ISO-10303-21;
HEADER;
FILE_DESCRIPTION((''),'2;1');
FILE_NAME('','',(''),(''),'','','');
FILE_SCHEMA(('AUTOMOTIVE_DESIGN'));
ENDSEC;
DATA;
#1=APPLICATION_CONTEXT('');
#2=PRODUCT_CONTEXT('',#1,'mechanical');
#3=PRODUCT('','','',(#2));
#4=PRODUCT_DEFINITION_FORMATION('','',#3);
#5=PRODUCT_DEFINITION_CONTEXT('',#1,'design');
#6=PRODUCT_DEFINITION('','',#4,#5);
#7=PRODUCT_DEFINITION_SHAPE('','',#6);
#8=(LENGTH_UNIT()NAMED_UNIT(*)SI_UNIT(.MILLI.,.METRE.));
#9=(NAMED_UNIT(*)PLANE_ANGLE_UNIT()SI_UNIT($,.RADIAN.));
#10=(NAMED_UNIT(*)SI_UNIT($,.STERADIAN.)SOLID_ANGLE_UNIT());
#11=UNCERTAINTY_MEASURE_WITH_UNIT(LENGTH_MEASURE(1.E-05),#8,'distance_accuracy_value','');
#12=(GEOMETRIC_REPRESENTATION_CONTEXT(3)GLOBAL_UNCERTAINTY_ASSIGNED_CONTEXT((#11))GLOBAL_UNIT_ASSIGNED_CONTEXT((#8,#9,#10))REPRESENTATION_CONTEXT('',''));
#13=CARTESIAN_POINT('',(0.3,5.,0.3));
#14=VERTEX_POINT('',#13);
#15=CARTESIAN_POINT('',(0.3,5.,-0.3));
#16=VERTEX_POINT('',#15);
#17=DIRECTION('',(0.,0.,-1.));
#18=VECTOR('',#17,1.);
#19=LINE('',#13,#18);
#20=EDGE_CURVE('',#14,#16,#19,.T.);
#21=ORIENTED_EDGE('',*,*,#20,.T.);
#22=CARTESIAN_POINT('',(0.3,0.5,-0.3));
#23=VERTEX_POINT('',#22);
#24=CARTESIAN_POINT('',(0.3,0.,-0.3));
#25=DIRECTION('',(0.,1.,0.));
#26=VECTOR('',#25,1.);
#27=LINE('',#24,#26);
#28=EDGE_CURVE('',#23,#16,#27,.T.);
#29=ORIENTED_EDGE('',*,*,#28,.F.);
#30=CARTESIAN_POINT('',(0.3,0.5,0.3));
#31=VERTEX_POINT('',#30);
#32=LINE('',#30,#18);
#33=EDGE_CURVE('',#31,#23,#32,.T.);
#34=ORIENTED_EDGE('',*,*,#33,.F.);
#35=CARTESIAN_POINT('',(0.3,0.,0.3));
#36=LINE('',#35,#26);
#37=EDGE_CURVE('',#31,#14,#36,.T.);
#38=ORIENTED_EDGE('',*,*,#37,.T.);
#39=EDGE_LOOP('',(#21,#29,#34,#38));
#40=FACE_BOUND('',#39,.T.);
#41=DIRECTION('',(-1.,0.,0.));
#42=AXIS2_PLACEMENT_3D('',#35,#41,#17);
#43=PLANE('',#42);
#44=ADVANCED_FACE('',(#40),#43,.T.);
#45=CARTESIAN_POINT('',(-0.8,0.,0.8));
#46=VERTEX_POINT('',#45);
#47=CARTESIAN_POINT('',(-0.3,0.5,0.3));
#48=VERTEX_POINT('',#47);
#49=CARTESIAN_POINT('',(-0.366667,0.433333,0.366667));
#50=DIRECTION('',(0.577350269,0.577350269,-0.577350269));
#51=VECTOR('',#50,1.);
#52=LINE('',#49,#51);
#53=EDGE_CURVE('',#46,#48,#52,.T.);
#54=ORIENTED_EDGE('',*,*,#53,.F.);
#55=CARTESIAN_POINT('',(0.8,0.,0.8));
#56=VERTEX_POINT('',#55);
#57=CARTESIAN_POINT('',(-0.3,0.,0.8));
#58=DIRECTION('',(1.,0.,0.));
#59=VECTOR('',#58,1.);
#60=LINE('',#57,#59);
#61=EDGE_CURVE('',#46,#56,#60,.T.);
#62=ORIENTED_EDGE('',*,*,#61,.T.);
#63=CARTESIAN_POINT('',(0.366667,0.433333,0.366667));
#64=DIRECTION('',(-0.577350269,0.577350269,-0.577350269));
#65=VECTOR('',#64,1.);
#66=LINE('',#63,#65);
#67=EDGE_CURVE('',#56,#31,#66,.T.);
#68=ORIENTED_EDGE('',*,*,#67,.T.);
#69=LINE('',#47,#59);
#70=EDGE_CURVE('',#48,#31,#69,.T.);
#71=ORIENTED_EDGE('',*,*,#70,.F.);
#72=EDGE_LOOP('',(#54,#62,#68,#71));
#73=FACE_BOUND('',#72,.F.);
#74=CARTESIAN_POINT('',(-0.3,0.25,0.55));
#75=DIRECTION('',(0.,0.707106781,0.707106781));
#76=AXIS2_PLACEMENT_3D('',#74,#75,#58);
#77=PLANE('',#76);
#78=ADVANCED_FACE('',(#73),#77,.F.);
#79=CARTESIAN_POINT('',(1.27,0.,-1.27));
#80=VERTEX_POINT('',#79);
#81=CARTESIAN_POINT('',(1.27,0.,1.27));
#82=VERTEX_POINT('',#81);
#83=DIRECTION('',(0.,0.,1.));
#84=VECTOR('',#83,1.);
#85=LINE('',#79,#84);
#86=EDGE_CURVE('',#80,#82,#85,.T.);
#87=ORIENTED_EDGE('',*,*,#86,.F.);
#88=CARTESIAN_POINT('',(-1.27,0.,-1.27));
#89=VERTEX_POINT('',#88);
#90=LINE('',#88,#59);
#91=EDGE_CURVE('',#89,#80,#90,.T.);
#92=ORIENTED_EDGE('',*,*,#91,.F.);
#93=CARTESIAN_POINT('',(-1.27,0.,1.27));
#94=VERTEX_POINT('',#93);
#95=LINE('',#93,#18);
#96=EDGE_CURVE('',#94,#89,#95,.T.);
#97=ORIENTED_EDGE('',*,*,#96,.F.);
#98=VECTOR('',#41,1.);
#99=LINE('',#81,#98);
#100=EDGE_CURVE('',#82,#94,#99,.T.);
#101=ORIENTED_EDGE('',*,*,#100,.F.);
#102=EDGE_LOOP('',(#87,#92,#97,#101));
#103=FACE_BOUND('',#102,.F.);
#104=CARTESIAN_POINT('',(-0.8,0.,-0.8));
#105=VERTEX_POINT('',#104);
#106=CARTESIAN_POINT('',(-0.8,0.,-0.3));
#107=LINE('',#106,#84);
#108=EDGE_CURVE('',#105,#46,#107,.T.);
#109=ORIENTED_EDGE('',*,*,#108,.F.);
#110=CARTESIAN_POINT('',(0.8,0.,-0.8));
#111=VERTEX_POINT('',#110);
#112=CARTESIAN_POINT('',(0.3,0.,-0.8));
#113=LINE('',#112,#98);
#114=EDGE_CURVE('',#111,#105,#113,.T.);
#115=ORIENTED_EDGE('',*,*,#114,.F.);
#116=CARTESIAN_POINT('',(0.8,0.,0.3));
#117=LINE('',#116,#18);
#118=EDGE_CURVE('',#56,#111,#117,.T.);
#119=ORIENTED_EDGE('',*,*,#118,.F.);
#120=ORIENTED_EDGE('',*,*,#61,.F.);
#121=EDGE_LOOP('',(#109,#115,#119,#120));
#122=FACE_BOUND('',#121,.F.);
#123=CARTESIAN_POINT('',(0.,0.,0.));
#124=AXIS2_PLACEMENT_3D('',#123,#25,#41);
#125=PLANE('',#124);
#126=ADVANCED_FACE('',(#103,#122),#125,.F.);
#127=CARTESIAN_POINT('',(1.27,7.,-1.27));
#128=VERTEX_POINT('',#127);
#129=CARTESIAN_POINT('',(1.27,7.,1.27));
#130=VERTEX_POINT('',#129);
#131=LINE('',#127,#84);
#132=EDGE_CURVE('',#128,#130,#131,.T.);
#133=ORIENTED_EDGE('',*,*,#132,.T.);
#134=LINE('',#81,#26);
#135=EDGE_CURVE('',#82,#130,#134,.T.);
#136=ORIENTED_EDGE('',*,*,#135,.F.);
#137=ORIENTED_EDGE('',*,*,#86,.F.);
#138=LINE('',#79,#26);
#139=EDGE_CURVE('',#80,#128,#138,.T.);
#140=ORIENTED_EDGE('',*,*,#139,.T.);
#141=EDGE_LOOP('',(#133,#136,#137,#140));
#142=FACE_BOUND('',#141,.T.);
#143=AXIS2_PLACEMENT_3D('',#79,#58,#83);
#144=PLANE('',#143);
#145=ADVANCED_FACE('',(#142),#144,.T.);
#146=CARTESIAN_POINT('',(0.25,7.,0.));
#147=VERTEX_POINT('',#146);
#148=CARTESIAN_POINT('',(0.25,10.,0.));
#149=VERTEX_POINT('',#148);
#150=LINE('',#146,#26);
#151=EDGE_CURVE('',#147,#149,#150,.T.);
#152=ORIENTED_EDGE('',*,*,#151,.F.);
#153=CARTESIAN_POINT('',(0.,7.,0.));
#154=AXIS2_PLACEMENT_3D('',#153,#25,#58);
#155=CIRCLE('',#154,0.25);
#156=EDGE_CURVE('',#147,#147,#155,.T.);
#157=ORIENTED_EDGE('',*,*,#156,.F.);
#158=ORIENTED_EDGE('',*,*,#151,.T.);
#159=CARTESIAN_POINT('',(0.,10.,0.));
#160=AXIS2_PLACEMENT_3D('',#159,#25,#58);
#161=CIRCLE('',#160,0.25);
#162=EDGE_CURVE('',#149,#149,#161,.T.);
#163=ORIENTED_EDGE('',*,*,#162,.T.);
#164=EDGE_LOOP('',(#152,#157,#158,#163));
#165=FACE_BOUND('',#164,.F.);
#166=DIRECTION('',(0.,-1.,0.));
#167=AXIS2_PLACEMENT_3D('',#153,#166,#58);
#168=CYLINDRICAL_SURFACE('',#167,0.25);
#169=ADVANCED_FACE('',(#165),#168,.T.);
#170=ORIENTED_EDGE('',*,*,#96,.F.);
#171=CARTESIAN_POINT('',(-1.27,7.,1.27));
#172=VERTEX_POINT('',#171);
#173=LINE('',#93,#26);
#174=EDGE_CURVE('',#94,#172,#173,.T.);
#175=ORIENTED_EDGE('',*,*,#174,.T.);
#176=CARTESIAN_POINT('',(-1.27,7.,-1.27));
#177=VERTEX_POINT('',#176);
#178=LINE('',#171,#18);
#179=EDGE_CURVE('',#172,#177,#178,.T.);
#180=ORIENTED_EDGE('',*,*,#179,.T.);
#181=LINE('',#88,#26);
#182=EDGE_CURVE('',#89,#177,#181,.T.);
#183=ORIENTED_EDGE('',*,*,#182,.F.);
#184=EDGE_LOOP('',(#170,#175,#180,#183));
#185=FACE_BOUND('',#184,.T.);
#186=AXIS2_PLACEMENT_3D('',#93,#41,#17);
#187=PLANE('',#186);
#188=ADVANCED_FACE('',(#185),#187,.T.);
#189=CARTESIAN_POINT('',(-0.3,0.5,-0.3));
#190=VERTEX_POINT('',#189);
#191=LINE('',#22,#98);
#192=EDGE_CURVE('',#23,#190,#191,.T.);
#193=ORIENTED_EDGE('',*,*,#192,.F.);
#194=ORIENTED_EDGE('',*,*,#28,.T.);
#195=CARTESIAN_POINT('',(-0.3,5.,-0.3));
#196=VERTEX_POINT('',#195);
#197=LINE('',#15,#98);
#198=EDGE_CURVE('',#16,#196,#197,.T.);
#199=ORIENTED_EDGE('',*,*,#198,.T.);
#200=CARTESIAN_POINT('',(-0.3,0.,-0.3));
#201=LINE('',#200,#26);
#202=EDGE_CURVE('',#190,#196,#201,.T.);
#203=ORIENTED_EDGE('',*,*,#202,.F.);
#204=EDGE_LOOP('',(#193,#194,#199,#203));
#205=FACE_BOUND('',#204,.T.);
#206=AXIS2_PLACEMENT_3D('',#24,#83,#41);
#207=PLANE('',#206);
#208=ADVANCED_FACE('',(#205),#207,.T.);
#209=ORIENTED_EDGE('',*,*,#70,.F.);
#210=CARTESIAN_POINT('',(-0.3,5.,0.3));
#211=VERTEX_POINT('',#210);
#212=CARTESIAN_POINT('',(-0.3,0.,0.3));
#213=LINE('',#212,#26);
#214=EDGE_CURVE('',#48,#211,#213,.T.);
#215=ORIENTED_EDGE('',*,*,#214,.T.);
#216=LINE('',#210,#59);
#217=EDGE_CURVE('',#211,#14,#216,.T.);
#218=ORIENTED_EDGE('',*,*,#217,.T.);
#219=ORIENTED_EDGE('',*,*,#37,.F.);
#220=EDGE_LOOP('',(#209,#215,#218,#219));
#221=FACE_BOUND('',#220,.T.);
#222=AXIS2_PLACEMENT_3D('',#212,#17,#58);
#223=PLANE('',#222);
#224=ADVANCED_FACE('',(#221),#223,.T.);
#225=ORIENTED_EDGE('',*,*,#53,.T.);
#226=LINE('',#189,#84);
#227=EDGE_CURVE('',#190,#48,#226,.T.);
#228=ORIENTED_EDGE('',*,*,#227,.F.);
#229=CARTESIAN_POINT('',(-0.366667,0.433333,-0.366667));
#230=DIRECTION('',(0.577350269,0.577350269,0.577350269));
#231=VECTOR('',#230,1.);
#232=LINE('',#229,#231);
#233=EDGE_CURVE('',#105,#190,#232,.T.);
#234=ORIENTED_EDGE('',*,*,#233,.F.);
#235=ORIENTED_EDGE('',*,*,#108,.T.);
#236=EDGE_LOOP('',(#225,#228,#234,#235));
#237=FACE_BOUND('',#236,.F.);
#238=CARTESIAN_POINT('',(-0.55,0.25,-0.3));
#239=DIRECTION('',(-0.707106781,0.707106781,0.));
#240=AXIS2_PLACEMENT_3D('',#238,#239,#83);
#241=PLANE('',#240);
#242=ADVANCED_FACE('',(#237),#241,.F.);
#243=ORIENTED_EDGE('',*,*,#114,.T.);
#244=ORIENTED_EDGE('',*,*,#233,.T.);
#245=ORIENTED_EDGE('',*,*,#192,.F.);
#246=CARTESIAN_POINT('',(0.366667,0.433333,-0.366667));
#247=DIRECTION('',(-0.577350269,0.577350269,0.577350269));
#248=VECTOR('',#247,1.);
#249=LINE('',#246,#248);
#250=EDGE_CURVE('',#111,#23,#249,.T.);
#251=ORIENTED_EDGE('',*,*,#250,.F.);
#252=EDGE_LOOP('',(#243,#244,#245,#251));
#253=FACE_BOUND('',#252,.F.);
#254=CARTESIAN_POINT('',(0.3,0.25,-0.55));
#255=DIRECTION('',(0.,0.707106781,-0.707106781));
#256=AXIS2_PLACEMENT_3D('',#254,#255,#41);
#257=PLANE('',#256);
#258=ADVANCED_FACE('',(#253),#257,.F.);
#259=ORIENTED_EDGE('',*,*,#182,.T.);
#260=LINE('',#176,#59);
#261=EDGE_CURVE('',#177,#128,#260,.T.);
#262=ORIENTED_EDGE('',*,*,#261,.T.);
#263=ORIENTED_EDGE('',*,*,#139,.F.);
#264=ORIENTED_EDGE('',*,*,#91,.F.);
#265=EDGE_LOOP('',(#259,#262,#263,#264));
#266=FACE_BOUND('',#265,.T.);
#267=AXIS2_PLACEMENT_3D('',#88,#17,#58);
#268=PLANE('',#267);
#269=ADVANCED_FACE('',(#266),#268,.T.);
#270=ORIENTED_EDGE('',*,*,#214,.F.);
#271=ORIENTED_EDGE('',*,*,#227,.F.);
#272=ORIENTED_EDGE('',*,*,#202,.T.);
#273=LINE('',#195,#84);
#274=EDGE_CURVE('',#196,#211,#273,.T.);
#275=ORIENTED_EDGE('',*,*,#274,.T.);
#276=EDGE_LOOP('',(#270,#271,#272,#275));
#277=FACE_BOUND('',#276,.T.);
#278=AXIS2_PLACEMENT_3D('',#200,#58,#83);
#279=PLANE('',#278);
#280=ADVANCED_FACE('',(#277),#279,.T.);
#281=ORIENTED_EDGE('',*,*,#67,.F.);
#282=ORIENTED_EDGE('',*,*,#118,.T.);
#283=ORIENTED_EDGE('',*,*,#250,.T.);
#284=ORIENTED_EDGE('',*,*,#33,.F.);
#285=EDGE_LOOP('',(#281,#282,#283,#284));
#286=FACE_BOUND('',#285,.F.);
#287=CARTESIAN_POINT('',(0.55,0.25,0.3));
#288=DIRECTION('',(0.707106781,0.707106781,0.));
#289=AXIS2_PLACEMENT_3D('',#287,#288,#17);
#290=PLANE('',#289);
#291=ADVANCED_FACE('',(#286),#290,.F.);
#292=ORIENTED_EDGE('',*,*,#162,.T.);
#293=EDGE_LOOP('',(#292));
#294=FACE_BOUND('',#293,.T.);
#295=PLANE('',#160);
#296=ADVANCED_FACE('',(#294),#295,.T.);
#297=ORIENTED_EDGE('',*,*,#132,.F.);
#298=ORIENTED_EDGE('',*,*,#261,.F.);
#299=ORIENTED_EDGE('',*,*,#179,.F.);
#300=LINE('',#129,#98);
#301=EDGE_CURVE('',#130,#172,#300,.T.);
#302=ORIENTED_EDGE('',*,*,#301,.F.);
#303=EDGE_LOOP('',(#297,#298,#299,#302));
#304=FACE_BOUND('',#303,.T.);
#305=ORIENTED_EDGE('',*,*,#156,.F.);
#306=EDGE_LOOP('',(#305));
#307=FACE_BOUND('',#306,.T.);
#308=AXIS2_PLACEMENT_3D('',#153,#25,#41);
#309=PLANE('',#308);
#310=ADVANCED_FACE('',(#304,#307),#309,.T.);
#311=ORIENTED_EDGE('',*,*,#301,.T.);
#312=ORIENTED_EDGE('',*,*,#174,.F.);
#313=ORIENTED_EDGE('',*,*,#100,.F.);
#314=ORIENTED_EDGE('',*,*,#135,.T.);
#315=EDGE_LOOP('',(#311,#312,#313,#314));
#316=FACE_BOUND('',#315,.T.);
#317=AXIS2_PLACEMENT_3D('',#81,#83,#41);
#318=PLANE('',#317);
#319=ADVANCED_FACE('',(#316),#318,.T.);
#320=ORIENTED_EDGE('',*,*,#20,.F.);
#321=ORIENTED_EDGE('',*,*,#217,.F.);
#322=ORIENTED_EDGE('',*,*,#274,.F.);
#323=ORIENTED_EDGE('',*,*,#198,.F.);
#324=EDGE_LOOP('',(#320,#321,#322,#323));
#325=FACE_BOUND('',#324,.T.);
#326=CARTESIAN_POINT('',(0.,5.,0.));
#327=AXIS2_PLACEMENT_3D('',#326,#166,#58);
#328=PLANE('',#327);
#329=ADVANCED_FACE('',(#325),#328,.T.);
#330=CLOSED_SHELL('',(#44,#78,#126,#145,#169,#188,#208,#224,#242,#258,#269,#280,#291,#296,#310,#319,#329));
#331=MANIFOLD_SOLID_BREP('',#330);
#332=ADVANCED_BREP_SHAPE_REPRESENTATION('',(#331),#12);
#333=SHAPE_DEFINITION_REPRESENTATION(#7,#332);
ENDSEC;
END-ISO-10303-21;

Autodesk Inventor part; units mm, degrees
ref_plane "YZ Plane" through (0, 0, 0) normal (1, 0, 0) x (0, 1, 0)
ref_plane "XZ Plane" through (0, 0, 0) normal (0, 1, 0) x (-1, 0, 0)
ref_plane "XY Plane" through (0, 0, 0) normal (0, 0, 1) x (1, 0, 0)
sketch "Sketch1" plane through (0, 0, 0) normal (0, 1, 0) x (-1, 0, 0)
  line L0 (1.27, -1.27) -> (-1.27, -1.27)
  line L1 (-1.27, -1.27) -> (-1.27, 1.27)
  line L2 (-1.27, 1.27) -> (1.27, 1.27)
  line L3 (1.27, 1.27) -> (1.27, -1.27)
  point P0 (0, 0)
  point P1 (0, -1.27)
  point P2 (1.27, 0)
  dimension "d2" = 2.54
extrude "Extrusion1" add sketch "Sketch1" along normal blind 7
sketch "Sketch6" plane through (0, 7, 0) normal (0, 1, 0) x (1, 0, 0)
  circle A0 centre (0, 0) radius 0.25
  dimension "d19" = 0.5
sketch "Sketch7" plane through (0, 0, 0) normal (0, -1, 0) x (1, 0, 0)
  line L0 (-0.3, 0.3) -> (0.3, 0.3)
  line L1 (0.3, 0.3) -> (0.3, -0.3)
  line L2 (0.3, -0.3) -> (-0.3, -0.3)
  line L3 (-0.3, -0.3) -> (-0.3, 0.3)
  point P0 (0, 0)
  point P1 (0, 0.3)
  point P2 (-0.3, 0)
  dimension "d20" = 0.6
extrude "Extrusion4" cut sketch "Sketch7" against normal blind 5
chamfer "Chamfer1" distance 0.5 angle 45 4 edges at (0, 0, 0.3) (0.3, 0, 0) (0, 0, -0.3) (-0.3, 0, 0)
extrude "Extrusion5" add sketch "Sketch6" along normal blind 3
properties part number "Pin-round-2.54-female"
